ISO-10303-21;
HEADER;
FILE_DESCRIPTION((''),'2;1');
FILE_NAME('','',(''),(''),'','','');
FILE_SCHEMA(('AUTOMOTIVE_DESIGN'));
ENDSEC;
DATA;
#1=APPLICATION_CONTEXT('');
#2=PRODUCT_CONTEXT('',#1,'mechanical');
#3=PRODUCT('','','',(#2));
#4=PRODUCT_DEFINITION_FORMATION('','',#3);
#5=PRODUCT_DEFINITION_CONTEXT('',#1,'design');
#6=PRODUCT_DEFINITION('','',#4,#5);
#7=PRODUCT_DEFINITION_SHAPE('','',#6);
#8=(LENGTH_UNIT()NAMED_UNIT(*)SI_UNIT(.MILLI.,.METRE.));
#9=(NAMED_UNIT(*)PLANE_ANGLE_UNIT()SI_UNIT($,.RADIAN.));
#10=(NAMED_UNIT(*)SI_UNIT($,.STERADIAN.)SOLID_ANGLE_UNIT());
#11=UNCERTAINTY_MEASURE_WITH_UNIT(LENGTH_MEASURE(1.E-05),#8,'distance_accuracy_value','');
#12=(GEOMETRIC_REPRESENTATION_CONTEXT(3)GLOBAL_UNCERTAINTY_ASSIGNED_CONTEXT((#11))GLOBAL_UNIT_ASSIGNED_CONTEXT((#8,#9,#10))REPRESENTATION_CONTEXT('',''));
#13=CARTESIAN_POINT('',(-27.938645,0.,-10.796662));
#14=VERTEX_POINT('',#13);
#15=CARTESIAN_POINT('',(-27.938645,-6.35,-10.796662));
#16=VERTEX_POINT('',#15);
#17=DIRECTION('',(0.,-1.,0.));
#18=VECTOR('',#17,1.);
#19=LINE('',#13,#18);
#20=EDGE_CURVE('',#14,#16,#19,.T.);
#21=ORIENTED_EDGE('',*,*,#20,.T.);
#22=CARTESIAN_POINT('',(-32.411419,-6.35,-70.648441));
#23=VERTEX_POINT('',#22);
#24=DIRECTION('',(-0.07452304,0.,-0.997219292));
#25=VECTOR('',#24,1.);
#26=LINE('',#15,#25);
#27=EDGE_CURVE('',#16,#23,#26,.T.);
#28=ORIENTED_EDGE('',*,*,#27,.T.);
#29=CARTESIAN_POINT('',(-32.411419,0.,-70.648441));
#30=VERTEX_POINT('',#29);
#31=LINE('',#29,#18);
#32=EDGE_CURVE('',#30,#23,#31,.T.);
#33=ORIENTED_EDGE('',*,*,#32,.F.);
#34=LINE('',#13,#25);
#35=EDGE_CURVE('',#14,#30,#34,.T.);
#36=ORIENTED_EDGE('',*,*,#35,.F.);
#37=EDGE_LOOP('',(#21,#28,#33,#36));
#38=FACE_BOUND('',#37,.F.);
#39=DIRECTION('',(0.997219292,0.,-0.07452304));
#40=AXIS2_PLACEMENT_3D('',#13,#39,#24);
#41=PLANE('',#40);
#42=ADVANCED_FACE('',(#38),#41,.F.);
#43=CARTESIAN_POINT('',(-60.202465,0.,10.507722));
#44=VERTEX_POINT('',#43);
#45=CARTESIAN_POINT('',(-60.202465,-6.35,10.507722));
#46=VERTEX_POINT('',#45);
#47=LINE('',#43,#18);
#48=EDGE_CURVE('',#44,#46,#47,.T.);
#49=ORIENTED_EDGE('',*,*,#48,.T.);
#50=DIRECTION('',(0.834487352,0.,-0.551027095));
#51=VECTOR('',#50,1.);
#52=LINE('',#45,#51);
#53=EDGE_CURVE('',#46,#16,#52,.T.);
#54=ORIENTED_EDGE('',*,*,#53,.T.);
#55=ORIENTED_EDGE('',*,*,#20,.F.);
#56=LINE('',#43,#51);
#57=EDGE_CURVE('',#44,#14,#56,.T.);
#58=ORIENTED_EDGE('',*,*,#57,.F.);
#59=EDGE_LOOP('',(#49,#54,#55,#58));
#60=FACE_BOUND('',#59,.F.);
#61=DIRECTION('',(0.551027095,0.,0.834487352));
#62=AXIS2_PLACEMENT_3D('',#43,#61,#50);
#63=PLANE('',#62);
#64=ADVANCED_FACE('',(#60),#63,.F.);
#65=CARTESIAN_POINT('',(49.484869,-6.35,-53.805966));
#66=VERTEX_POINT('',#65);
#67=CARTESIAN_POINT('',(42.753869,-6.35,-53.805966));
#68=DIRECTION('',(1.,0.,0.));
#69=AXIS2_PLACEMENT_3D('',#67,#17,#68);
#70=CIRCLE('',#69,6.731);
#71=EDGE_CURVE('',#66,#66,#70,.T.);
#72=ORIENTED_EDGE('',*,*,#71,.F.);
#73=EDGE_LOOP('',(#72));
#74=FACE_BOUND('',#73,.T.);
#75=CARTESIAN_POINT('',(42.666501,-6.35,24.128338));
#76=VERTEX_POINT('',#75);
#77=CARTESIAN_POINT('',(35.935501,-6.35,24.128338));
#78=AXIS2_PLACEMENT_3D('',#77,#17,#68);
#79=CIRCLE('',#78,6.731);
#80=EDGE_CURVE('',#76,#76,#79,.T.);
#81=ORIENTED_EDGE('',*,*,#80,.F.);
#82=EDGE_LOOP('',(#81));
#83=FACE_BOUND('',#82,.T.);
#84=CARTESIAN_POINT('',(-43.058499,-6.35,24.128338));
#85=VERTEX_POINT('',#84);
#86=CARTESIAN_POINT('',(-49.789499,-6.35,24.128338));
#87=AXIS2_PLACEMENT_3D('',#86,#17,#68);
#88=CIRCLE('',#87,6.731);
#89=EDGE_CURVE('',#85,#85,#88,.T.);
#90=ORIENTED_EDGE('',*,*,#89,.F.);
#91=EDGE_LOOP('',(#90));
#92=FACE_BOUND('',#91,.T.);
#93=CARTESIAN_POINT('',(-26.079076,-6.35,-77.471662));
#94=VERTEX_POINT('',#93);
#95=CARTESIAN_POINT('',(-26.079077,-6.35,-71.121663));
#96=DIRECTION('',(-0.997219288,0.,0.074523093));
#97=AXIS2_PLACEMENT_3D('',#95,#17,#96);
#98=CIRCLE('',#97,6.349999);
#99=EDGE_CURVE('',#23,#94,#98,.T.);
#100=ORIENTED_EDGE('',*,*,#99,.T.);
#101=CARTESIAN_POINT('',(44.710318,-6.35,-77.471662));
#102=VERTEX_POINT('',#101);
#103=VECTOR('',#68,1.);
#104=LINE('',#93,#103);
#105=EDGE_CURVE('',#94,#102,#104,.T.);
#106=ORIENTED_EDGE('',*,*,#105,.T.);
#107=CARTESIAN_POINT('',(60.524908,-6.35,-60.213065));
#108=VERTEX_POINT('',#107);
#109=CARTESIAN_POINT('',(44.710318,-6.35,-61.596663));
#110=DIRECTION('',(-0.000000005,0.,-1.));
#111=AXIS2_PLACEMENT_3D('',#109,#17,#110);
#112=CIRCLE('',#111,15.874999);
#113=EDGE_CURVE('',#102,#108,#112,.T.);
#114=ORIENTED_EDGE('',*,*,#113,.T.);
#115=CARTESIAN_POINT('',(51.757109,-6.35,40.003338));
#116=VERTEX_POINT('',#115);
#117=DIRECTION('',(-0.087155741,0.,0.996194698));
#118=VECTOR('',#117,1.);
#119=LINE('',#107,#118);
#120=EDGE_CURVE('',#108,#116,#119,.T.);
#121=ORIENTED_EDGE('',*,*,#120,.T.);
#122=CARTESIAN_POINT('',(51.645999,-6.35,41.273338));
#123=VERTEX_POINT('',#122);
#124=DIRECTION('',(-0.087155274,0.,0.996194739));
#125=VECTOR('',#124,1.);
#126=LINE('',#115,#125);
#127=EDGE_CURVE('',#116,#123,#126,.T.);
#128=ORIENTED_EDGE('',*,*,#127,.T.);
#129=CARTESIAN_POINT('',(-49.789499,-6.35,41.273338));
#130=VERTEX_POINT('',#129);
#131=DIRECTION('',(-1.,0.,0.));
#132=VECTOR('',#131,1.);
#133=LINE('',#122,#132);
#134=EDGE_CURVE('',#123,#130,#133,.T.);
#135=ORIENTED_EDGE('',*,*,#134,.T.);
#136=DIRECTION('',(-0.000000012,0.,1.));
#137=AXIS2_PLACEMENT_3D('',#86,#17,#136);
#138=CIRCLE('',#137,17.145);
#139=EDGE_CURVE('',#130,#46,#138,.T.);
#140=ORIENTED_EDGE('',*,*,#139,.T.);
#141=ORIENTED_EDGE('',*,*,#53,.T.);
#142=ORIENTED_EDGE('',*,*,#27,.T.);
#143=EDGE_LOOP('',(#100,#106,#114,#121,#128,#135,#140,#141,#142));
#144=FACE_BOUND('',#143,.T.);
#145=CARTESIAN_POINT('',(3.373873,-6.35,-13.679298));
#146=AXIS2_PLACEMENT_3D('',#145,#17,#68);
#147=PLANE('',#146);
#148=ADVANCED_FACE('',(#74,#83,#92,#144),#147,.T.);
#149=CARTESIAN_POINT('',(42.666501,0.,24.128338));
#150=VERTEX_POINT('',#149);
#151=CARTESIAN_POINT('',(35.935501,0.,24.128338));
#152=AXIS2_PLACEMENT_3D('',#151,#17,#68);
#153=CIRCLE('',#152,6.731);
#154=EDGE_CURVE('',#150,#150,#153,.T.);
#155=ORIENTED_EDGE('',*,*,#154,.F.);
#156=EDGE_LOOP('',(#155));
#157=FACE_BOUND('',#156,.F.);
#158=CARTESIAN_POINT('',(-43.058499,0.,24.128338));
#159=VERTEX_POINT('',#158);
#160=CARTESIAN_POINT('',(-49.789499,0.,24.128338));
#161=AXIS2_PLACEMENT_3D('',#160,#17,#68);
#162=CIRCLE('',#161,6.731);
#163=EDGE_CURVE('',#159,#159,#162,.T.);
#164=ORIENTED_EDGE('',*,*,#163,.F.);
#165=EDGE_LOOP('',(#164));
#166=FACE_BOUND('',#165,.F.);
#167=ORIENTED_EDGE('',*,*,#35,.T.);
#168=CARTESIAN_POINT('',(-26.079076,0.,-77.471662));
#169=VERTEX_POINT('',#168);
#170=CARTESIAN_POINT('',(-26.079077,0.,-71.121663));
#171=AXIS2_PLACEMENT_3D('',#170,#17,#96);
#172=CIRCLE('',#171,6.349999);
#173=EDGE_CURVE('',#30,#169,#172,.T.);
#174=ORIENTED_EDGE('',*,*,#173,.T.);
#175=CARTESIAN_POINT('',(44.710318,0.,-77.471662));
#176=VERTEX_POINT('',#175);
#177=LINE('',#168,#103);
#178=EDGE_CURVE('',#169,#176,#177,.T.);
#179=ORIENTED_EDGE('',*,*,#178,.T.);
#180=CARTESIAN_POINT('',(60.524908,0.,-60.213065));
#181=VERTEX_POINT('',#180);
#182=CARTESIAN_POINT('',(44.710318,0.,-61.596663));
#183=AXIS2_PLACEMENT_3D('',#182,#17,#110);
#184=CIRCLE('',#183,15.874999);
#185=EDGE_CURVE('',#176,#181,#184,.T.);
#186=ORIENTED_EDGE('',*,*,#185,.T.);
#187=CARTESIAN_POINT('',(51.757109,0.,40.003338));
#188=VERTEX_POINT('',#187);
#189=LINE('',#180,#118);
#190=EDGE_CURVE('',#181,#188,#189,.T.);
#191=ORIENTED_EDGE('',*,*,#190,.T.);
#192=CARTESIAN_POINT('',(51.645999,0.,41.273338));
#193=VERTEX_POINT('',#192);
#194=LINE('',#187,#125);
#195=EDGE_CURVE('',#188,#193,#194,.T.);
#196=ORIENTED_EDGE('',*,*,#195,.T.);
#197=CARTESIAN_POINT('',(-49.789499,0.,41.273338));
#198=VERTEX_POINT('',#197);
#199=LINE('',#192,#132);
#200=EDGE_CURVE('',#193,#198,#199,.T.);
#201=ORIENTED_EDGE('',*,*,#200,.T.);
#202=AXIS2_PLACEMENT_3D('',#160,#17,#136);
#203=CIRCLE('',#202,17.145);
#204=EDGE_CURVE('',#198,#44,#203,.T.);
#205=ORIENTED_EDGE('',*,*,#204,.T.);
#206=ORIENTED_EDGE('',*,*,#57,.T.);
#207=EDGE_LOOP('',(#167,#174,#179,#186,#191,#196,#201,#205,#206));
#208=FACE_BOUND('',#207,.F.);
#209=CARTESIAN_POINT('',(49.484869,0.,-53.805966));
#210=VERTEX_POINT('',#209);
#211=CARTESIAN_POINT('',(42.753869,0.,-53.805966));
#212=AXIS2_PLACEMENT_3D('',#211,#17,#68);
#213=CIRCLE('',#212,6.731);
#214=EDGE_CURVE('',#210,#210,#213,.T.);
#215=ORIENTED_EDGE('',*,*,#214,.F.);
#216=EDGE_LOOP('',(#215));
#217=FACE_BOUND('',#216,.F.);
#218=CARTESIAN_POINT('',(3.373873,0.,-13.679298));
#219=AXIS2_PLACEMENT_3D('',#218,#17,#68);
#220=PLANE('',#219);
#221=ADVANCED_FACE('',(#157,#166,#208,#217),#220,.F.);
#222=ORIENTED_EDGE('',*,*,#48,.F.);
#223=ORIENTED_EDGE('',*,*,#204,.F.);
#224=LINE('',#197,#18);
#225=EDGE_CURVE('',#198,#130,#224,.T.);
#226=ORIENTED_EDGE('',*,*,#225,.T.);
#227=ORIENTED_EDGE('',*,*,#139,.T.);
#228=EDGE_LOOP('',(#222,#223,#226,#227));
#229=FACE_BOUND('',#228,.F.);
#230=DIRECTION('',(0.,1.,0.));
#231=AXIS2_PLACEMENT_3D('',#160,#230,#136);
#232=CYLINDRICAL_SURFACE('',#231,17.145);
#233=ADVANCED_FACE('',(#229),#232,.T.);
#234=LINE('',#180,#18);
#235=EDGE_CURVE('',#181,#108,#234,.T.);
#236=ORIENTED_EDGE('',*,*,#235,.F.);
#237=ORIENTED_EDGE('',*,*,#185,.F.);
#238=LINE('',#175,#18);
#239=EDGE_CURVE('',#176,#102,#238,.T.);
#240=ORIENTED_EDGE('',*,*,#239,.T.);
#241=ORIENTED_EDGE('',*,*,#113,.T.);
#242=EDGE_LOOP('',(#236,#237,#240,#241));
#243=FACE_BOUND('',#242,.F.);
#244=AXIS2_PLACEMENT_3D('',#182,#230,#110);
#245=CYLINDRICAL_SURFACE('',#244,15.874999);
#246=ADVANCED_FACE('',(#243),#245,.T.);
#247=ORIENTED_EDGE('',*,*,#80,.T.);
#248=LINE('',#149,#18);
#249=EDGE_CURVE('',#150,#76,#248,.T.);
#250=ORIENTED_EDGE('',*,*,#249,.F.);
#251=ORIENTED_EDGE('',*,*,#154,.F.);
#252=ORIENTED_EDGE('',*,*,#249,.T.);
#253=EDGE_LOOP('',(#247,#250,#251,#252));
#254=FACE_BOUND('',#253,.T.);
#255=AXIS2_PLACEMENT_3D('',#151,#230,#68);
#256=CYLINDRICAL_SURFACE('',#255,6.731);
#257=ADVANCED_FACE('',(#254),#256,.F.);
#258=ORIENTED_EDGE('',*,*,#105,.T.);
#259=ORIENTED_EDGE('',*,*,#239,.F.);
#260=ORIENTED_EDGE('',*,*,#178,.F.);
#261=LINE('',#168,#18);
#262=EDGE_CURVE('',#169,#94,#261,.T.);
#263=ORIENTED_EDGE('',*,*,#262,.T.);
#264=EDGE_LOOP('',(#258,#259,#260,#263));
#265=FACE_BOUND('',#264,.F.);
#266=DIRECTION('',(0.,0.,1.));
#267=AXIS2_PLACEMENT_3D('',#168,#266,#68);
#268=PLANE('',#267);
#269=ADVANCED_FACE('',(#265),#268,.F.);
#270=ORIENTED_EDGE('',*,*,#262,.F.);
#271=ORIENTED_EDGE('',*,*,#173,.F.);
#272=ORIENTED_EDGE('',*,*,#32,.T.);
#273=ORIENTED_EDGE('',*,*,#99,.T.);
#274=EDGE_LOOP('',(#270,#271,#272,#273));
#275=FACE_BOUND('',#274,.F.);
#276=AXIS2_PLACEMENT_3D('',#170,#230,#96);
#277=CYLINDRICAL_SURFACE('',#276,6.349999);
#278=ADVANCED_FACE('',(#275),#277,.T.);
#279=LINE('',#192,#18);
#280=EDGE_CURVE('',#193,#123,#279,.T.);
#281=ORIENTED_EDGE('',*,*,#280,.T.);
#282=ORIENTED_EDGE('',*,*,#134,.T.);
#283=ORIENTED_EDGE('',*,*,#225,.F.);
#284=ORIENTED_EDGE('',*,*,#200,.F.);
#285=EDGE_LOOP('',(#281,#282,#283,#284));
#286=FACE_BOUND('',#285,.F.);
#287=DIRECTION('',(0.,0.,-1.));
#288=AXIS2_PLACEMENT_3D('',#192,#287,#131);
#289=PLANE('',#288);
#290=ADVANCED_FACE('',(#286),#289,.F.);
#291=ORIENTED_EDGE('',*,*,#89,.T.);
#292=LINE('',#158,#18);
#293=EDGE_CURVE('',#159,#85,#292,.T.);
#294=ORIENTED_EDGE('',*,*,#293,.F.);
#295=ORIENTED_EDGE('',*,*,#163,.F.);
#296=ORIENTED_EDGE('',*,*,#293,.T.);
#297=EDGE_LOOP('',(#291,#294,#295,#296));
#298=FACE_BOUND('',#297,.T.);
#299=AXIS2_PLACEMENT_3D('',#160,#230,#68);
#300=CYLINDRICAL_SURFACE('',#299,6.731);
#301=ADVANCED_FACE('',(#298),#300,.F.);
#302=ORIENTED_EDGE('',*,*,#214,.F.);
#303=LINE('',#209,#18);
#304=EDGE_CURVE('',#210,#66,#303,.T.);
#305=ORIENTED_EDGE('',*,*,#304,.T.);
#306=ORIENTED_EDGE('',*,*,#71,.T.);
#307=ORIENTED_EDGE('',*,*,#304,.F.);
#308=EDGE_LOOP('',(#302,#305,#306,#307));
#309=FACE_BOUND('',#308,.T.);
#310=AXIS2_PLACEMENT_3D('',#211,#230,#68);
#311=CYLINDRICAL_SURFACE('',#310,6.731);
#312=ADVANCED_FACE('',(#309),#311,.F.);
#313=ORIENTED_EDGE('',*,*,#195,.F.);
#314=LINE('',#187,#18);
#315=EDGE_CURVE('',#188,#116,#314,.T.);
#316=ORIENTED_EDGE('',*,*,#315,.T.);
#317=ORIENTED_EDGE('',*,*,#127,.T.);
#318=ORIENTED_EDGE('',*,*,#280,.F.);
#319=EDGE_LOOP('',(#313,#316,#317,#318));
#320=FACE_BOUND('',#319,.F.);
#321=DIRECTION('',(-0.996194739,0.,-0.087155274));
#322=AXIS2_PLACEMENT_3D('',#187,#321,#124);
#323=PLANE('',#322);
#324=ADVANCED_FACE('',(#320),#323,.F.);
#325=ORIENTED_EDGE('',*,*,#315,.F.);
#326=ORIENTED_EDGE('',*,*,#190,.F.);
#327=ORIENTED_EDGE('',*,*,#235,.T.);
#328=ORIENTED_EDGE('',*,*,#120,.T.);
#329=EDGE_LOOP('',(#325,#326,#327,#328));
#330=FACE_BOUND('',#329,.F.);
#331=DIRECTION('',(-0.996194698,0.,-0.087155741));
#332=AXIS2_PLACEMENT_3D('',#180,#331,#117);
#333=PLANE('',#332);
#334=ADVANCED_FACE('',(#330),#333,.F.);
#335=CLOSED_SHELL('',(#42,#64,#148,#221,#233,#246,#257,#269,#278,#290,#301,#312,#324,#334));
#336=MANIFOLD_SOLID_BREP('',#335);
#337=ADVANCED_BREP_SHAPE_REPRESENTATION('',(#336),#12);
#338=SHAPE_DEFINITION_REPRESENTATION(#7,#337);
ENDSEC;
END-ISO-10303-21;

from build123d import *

# Parameters (mm, degrees)
F0_R     = 6.731
F1_DEPTH = 6.35


with BuildPart() as f1:
    # F0 (on Front) → F1 (new body)
    with BuildSketch(Plane.XZ):
        with BuildLine():
            Line((-27.938645, -10.796662), (-32.411419, -70.648441))
            ThreePointArc((-32.411419, -70.648441), (-30.733507, -75.441243), (-26.079076, -77.471662))
            Line((-26.079076, -77.471662), (44.710318, -77.471662))
            ThreePointArc((44.710318, -77.471662), (56.414595, -72.321657), (60.524908, -60.213065))
            Line((60.524908, -60.213065), (51.757109, 40.003338))
            Line((51.757109, 40.003338), (51.645999, 41.273338))
            Line((51.645999, 41.273338), (50.482258, 41.273338))
            Line((50.482258, 41.273338), (48.875946, 41.273338))
            Line((48.875946, 41.273338), (35.935501, 41.273338))
            Line((35.935501, 41.273338), (-49.789499, 41.273338))
            ThreePointArc((-49.789499, 41.273338), (-66.029519, 29.624953), (-60.202465, 10.507722))
            Line((-60.202465, 10.507722), (-27.938645, -10.796662))
        make_face()
        with Locations((42.753869, -53.805966)):
            Circle(F0_R, mode=Mode.SUBTRACT)
        with Locations((-49.789499, 24.128338)):
            Circle(F0_R, mode=Mode.SUBTRACT)
        with Locations((35.935501, 24.128338)):
            Circle(F0_R, mode=Mode.SUBTRACT)
    extrude(amount=F1_DEPTH)


solid = f1.part
